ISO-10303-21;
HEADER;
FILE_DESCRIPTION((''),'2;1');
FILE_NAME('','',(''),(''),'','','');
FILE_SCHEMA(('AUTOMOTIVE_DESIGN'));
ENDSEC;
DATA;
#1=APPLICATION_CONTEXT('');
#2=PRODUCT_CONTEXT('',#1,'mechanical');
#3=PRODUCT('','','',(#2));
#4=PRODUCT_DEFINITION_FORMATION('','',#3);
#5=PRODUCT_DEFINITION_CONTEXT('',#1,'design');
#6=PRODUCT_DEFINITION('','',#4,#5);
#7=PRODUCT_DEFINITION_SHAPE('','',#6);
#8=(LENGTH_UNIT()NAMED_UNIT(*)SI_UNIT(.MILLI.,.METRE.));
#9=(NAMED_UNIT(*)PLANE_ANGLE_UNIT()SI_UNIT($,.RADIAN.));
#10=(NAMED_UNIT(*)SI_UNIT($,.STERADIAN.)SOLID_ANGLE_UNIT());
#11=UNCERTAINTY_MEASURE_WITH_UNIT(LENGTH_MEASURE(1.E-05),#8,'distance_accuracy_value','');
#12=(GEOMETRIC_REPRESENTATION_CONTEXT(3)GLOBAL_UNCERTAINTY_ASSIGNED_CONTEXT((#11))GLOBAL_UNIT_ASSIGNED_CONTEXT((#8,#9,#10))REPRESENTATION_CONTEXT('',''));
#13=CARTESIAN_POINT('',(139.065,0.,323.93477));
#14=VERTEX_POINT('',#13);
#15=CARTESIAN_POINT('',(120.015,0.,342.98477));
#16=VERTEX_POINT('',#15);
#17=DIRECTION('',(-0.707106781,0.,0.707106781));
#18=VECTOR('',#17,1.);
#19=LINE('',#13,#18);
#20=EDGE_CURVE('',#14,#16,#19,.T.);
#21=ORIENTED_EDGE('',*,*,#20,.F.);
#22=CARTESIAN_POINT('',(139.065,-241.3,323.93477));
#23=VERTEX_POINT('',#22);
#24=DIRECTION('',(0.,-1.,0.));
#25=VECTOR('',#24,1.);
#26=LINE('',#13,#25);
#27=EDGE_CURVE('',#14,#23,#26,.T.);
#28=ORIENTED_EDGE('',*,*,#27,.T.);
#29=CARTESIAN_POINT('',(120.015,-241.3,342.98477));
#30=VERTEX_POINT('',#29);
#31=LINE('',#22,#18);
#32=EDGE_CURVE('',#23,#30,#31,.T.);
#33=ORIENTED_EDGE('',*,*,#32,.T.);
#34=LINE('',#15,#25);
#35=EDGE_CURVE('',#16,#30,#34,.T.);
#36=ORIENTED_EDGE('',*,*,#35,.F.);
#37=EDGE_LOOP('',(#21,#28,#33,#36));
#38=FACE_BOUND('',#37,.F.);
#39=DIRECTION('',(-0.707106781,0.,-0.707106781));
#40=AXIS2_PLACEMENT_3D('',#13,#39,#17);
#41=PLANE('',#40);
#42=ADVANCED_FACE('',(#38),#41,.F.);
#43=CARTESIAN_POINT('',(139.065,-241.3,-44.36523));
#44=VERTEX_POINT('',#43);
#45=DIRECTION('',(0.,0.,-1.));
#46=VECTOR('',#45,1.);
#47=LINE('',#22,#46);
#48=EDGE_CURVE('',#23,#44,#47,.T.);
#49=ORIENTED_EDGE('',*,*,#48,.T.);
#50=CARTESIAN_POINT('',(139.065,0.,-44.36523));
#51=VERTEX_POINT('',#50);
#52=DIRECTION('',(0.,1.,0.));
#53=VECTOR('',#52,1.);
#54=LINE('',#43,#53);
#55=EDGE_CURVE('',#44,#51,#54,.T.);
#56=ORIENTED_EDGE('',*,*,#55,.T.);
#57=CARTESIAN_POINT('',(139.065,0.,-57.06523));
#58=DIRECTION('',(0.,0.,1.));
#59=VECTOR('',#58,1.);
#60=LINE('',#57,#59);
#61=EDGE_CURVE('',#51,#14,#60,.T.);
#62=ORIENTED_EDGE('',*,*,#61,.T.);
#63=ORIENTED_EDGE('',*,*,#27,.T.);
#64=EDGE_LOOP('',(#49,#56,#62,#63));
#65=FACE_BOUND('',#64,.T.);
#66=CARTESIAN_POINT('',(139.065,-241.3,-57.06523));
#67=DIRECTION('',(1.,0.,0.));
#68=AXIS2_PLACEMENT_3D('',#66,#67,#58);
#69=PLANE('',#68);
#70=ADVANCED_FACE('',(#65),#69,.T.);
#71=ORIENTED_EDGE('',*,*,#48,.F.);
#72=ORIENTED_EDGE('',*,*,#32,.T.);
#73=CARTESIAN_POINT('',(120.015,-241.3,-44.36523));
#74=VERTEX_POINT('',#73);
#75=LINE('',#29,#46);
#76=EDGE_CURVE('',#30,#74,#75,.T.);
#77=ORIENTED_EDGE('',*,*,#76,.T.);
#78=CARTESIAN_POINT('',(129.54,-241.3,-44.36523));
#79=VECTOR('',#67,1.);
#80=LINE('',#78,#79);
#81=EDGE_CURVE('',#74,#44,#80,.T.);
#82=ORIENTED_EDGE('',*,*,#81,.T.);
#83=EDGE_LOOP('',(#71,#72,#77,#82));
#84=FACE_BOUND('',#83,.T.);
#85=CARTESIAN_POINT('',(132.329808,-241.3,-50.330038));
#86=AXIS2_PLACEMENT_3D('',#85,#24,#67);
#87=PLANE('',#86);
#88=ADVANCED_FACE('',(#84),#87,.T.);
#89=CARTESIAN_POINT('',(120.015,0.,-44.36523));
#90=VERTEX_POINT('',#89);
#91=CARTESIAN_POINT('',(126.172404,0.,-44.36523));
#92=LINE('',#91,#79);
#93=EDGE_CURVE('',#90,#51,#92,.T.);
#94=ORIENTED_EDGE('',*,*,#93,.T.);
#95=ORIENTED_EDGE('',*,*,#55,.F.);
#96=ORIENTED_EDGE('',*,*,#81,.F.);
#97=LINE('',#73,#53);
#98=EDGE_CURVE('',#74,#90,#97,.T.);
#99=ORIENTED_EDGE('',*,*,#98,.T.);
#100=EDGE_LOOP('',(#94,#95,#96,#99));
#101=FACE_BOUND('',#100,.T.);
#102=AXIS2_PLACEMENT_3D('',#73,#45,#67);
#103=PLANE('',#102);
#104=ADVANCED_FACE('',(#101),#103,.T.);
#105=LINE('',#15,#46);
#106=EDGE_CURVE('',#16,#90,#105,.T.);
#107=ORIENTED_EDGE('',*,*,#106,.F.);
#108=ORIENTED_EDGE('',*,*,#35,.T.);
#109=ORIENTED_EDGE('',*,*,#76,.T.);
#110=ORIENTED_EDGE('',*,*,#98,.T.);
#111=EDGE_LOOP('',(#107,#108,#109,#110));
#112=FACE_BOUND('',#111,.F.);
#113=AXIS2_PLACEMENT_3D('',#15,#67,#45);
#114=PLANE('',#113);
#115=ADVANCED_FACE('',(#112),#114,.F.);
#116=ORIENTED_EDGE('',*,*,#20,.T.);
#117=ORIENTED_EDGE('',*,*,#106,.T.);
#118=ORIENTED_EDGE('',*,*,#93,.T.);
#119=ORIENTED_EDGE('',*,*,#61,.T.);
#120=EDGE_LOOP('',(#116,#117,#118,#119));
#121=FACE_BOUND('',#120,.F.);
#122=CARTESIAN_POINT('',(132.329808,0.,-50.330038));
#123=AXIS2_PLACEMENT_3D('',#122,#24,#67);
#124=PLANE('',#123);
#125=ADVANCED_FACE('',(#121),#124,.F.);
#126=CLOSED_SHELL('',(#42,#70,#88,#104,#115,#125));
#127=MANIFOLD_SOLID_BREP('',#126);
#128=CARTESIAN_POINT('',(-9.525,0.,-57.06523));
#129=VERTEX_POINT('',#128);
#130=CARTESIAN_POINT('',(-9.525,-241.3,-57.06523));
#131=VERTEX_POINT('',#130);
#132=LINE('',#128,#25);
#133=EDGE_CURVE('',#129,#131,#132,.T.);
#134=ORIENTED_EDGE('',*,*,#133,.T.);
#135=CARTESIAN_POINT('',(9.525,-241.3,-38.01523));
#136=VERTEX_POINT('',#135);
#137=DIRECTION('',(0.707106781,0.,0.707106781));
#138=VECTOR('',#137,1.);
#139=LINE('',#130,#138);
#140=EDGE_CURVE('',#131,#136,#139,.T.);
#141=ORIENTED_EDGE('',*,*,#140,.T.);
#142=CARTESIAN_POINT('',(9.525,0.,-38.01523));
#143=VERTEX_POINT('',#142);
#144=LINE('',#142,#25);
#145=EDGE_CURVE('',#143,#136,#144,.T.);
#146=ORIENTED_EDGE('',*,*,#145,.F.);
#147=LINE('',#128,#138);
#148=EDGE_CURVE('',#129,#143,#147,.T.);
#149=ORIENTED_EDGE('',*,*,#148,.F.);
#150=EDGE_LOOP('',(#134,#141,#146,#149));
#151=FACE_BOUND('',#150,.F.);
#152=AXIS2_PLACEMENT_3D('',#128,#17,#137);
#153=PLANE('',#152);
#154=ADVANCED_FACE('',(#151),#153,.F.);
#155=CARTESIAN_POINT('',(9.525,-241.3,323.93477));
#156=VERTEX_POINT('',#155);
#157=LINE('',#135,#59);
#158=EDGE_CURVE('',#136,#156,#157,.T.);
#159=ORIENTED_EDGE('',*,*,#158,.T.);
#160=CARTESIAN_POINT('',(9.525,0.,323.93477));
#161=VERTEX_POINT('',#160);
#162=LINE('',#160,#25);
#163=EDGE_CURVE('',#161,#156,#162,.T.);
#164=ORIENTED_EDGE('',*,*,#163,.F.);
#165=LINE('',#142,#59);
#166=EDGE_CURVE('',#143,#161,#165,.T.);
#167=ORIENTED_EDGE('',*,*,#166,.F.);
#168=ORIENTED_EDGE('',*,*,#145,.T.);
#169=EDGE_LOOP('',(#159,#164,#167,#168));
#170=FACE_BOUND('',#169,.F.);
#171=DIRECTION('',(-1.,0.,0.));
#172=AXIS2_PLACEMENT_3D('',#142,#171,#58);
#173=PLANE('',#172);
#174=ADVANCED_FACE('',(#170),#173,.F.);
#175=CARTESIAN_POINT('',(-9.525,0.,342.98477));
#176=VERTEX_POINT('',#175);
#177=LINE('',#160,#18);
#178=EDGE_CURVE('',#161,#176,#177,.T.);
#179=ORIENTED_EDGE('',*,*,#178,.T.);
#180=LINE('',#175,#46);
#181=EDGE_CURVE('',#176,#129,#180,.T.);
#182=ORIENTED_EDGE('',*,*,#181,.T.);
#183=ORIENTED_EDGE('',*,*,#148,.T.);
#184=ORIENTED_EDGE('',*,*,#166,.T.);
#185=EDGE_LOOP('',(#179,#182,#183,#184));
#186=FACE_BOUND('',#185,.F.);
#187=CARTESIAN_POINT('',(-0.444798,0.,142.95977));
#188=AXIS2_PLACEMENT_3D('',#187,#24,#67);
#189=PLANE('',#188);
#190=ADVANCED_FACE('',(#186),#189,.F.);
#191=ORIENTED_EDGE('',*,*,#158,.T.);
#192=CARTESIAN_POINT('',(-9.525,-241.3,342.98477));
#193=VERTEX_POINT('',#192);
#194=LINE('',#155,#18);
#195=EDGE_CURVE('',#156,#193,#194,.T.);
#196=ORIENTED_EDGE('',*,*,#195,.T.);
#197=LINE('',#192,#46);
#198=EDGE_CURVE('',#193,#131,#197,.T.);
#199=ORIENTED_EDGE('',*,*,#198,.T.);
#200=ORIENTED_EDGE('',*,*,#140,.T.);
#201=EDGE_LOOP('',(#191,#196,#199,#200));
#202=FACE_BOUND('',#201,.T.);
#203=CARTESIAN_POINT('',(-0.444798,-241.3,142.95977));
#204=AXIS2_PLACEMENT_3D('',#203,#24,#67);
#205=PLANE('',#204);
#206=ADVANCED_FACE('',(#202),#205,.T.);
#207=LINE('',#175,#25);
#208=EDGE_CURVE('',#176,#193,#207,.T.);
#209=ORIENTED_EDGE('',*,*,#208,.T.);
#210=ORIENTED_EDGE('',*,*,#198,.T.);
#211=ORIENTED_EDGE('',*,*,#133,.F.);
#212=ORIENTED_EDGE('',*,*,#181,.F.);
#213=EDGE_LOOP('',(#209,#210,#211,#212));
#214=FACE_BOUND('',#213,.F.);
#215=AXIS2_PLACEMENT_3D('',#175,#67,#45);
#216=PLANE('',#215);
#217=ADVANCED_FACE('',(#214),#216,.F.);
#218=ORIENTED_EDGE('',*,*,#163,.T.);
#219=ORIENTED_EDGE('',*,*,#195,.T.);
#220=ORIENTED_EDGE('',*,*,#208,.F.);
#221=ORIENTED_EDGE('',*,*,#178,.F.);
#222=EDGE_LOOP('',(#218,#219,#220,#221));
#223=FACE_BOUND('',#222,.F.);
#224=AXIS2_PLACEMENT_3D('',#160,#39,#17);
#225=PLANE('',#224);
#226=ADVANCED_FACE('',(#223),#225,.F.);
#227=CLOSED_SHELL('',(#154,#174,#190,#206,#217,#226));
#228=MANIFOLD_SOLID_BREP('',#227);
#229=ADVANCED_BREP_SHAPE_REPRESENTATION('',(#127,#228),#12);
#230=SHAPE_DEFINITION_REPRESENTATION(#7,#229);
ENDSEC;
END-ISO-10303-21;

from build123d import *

# Parameters (mm, degrees)
F1_DEPTH = 241.3
F4_DEPTH = 241.3
F5_W     = 19.05
F5_H     = 12.7
F6_DEPTH = 241.301


with BuildPart() as f1:
    # F0 (on Front) → F1 (new body)
    with BuildSketch(Plane.XZ):
        Polygon((9.525, 323.93477), (-9.525, 342.98477), (-9.525, -57.06523), (9.525, -38.01523), align=None)
    extrude(amount=F1_DEPTH)


with BuildPart() as f2_1:
    # F2: copy of F1
    add(f1.part.moved(Location((129.54, 0, 0))))

    # F3 (on face) → F4 (join)
    with BuildSketch(Plane.XZ.offset(241.3)):
        Polygon((139.065, -38.01523), (120.015, -57.06523), (139.065, -57.06523), align=None)
    extrude(amount=-F4_DEPTH)

    # F5 (on face) → F6 (cut, through all)
    with BuildSketch(Plane.XZ.offset(241.3)):
        with Locations((129.54, -50.71523)):
            Rectangle(F5_W, F5_H)
    extrude(amount=-F6_DEPTH, mode=Mode.SUBTRACT)


solid = Compound([f1.part, f2_1.part])
